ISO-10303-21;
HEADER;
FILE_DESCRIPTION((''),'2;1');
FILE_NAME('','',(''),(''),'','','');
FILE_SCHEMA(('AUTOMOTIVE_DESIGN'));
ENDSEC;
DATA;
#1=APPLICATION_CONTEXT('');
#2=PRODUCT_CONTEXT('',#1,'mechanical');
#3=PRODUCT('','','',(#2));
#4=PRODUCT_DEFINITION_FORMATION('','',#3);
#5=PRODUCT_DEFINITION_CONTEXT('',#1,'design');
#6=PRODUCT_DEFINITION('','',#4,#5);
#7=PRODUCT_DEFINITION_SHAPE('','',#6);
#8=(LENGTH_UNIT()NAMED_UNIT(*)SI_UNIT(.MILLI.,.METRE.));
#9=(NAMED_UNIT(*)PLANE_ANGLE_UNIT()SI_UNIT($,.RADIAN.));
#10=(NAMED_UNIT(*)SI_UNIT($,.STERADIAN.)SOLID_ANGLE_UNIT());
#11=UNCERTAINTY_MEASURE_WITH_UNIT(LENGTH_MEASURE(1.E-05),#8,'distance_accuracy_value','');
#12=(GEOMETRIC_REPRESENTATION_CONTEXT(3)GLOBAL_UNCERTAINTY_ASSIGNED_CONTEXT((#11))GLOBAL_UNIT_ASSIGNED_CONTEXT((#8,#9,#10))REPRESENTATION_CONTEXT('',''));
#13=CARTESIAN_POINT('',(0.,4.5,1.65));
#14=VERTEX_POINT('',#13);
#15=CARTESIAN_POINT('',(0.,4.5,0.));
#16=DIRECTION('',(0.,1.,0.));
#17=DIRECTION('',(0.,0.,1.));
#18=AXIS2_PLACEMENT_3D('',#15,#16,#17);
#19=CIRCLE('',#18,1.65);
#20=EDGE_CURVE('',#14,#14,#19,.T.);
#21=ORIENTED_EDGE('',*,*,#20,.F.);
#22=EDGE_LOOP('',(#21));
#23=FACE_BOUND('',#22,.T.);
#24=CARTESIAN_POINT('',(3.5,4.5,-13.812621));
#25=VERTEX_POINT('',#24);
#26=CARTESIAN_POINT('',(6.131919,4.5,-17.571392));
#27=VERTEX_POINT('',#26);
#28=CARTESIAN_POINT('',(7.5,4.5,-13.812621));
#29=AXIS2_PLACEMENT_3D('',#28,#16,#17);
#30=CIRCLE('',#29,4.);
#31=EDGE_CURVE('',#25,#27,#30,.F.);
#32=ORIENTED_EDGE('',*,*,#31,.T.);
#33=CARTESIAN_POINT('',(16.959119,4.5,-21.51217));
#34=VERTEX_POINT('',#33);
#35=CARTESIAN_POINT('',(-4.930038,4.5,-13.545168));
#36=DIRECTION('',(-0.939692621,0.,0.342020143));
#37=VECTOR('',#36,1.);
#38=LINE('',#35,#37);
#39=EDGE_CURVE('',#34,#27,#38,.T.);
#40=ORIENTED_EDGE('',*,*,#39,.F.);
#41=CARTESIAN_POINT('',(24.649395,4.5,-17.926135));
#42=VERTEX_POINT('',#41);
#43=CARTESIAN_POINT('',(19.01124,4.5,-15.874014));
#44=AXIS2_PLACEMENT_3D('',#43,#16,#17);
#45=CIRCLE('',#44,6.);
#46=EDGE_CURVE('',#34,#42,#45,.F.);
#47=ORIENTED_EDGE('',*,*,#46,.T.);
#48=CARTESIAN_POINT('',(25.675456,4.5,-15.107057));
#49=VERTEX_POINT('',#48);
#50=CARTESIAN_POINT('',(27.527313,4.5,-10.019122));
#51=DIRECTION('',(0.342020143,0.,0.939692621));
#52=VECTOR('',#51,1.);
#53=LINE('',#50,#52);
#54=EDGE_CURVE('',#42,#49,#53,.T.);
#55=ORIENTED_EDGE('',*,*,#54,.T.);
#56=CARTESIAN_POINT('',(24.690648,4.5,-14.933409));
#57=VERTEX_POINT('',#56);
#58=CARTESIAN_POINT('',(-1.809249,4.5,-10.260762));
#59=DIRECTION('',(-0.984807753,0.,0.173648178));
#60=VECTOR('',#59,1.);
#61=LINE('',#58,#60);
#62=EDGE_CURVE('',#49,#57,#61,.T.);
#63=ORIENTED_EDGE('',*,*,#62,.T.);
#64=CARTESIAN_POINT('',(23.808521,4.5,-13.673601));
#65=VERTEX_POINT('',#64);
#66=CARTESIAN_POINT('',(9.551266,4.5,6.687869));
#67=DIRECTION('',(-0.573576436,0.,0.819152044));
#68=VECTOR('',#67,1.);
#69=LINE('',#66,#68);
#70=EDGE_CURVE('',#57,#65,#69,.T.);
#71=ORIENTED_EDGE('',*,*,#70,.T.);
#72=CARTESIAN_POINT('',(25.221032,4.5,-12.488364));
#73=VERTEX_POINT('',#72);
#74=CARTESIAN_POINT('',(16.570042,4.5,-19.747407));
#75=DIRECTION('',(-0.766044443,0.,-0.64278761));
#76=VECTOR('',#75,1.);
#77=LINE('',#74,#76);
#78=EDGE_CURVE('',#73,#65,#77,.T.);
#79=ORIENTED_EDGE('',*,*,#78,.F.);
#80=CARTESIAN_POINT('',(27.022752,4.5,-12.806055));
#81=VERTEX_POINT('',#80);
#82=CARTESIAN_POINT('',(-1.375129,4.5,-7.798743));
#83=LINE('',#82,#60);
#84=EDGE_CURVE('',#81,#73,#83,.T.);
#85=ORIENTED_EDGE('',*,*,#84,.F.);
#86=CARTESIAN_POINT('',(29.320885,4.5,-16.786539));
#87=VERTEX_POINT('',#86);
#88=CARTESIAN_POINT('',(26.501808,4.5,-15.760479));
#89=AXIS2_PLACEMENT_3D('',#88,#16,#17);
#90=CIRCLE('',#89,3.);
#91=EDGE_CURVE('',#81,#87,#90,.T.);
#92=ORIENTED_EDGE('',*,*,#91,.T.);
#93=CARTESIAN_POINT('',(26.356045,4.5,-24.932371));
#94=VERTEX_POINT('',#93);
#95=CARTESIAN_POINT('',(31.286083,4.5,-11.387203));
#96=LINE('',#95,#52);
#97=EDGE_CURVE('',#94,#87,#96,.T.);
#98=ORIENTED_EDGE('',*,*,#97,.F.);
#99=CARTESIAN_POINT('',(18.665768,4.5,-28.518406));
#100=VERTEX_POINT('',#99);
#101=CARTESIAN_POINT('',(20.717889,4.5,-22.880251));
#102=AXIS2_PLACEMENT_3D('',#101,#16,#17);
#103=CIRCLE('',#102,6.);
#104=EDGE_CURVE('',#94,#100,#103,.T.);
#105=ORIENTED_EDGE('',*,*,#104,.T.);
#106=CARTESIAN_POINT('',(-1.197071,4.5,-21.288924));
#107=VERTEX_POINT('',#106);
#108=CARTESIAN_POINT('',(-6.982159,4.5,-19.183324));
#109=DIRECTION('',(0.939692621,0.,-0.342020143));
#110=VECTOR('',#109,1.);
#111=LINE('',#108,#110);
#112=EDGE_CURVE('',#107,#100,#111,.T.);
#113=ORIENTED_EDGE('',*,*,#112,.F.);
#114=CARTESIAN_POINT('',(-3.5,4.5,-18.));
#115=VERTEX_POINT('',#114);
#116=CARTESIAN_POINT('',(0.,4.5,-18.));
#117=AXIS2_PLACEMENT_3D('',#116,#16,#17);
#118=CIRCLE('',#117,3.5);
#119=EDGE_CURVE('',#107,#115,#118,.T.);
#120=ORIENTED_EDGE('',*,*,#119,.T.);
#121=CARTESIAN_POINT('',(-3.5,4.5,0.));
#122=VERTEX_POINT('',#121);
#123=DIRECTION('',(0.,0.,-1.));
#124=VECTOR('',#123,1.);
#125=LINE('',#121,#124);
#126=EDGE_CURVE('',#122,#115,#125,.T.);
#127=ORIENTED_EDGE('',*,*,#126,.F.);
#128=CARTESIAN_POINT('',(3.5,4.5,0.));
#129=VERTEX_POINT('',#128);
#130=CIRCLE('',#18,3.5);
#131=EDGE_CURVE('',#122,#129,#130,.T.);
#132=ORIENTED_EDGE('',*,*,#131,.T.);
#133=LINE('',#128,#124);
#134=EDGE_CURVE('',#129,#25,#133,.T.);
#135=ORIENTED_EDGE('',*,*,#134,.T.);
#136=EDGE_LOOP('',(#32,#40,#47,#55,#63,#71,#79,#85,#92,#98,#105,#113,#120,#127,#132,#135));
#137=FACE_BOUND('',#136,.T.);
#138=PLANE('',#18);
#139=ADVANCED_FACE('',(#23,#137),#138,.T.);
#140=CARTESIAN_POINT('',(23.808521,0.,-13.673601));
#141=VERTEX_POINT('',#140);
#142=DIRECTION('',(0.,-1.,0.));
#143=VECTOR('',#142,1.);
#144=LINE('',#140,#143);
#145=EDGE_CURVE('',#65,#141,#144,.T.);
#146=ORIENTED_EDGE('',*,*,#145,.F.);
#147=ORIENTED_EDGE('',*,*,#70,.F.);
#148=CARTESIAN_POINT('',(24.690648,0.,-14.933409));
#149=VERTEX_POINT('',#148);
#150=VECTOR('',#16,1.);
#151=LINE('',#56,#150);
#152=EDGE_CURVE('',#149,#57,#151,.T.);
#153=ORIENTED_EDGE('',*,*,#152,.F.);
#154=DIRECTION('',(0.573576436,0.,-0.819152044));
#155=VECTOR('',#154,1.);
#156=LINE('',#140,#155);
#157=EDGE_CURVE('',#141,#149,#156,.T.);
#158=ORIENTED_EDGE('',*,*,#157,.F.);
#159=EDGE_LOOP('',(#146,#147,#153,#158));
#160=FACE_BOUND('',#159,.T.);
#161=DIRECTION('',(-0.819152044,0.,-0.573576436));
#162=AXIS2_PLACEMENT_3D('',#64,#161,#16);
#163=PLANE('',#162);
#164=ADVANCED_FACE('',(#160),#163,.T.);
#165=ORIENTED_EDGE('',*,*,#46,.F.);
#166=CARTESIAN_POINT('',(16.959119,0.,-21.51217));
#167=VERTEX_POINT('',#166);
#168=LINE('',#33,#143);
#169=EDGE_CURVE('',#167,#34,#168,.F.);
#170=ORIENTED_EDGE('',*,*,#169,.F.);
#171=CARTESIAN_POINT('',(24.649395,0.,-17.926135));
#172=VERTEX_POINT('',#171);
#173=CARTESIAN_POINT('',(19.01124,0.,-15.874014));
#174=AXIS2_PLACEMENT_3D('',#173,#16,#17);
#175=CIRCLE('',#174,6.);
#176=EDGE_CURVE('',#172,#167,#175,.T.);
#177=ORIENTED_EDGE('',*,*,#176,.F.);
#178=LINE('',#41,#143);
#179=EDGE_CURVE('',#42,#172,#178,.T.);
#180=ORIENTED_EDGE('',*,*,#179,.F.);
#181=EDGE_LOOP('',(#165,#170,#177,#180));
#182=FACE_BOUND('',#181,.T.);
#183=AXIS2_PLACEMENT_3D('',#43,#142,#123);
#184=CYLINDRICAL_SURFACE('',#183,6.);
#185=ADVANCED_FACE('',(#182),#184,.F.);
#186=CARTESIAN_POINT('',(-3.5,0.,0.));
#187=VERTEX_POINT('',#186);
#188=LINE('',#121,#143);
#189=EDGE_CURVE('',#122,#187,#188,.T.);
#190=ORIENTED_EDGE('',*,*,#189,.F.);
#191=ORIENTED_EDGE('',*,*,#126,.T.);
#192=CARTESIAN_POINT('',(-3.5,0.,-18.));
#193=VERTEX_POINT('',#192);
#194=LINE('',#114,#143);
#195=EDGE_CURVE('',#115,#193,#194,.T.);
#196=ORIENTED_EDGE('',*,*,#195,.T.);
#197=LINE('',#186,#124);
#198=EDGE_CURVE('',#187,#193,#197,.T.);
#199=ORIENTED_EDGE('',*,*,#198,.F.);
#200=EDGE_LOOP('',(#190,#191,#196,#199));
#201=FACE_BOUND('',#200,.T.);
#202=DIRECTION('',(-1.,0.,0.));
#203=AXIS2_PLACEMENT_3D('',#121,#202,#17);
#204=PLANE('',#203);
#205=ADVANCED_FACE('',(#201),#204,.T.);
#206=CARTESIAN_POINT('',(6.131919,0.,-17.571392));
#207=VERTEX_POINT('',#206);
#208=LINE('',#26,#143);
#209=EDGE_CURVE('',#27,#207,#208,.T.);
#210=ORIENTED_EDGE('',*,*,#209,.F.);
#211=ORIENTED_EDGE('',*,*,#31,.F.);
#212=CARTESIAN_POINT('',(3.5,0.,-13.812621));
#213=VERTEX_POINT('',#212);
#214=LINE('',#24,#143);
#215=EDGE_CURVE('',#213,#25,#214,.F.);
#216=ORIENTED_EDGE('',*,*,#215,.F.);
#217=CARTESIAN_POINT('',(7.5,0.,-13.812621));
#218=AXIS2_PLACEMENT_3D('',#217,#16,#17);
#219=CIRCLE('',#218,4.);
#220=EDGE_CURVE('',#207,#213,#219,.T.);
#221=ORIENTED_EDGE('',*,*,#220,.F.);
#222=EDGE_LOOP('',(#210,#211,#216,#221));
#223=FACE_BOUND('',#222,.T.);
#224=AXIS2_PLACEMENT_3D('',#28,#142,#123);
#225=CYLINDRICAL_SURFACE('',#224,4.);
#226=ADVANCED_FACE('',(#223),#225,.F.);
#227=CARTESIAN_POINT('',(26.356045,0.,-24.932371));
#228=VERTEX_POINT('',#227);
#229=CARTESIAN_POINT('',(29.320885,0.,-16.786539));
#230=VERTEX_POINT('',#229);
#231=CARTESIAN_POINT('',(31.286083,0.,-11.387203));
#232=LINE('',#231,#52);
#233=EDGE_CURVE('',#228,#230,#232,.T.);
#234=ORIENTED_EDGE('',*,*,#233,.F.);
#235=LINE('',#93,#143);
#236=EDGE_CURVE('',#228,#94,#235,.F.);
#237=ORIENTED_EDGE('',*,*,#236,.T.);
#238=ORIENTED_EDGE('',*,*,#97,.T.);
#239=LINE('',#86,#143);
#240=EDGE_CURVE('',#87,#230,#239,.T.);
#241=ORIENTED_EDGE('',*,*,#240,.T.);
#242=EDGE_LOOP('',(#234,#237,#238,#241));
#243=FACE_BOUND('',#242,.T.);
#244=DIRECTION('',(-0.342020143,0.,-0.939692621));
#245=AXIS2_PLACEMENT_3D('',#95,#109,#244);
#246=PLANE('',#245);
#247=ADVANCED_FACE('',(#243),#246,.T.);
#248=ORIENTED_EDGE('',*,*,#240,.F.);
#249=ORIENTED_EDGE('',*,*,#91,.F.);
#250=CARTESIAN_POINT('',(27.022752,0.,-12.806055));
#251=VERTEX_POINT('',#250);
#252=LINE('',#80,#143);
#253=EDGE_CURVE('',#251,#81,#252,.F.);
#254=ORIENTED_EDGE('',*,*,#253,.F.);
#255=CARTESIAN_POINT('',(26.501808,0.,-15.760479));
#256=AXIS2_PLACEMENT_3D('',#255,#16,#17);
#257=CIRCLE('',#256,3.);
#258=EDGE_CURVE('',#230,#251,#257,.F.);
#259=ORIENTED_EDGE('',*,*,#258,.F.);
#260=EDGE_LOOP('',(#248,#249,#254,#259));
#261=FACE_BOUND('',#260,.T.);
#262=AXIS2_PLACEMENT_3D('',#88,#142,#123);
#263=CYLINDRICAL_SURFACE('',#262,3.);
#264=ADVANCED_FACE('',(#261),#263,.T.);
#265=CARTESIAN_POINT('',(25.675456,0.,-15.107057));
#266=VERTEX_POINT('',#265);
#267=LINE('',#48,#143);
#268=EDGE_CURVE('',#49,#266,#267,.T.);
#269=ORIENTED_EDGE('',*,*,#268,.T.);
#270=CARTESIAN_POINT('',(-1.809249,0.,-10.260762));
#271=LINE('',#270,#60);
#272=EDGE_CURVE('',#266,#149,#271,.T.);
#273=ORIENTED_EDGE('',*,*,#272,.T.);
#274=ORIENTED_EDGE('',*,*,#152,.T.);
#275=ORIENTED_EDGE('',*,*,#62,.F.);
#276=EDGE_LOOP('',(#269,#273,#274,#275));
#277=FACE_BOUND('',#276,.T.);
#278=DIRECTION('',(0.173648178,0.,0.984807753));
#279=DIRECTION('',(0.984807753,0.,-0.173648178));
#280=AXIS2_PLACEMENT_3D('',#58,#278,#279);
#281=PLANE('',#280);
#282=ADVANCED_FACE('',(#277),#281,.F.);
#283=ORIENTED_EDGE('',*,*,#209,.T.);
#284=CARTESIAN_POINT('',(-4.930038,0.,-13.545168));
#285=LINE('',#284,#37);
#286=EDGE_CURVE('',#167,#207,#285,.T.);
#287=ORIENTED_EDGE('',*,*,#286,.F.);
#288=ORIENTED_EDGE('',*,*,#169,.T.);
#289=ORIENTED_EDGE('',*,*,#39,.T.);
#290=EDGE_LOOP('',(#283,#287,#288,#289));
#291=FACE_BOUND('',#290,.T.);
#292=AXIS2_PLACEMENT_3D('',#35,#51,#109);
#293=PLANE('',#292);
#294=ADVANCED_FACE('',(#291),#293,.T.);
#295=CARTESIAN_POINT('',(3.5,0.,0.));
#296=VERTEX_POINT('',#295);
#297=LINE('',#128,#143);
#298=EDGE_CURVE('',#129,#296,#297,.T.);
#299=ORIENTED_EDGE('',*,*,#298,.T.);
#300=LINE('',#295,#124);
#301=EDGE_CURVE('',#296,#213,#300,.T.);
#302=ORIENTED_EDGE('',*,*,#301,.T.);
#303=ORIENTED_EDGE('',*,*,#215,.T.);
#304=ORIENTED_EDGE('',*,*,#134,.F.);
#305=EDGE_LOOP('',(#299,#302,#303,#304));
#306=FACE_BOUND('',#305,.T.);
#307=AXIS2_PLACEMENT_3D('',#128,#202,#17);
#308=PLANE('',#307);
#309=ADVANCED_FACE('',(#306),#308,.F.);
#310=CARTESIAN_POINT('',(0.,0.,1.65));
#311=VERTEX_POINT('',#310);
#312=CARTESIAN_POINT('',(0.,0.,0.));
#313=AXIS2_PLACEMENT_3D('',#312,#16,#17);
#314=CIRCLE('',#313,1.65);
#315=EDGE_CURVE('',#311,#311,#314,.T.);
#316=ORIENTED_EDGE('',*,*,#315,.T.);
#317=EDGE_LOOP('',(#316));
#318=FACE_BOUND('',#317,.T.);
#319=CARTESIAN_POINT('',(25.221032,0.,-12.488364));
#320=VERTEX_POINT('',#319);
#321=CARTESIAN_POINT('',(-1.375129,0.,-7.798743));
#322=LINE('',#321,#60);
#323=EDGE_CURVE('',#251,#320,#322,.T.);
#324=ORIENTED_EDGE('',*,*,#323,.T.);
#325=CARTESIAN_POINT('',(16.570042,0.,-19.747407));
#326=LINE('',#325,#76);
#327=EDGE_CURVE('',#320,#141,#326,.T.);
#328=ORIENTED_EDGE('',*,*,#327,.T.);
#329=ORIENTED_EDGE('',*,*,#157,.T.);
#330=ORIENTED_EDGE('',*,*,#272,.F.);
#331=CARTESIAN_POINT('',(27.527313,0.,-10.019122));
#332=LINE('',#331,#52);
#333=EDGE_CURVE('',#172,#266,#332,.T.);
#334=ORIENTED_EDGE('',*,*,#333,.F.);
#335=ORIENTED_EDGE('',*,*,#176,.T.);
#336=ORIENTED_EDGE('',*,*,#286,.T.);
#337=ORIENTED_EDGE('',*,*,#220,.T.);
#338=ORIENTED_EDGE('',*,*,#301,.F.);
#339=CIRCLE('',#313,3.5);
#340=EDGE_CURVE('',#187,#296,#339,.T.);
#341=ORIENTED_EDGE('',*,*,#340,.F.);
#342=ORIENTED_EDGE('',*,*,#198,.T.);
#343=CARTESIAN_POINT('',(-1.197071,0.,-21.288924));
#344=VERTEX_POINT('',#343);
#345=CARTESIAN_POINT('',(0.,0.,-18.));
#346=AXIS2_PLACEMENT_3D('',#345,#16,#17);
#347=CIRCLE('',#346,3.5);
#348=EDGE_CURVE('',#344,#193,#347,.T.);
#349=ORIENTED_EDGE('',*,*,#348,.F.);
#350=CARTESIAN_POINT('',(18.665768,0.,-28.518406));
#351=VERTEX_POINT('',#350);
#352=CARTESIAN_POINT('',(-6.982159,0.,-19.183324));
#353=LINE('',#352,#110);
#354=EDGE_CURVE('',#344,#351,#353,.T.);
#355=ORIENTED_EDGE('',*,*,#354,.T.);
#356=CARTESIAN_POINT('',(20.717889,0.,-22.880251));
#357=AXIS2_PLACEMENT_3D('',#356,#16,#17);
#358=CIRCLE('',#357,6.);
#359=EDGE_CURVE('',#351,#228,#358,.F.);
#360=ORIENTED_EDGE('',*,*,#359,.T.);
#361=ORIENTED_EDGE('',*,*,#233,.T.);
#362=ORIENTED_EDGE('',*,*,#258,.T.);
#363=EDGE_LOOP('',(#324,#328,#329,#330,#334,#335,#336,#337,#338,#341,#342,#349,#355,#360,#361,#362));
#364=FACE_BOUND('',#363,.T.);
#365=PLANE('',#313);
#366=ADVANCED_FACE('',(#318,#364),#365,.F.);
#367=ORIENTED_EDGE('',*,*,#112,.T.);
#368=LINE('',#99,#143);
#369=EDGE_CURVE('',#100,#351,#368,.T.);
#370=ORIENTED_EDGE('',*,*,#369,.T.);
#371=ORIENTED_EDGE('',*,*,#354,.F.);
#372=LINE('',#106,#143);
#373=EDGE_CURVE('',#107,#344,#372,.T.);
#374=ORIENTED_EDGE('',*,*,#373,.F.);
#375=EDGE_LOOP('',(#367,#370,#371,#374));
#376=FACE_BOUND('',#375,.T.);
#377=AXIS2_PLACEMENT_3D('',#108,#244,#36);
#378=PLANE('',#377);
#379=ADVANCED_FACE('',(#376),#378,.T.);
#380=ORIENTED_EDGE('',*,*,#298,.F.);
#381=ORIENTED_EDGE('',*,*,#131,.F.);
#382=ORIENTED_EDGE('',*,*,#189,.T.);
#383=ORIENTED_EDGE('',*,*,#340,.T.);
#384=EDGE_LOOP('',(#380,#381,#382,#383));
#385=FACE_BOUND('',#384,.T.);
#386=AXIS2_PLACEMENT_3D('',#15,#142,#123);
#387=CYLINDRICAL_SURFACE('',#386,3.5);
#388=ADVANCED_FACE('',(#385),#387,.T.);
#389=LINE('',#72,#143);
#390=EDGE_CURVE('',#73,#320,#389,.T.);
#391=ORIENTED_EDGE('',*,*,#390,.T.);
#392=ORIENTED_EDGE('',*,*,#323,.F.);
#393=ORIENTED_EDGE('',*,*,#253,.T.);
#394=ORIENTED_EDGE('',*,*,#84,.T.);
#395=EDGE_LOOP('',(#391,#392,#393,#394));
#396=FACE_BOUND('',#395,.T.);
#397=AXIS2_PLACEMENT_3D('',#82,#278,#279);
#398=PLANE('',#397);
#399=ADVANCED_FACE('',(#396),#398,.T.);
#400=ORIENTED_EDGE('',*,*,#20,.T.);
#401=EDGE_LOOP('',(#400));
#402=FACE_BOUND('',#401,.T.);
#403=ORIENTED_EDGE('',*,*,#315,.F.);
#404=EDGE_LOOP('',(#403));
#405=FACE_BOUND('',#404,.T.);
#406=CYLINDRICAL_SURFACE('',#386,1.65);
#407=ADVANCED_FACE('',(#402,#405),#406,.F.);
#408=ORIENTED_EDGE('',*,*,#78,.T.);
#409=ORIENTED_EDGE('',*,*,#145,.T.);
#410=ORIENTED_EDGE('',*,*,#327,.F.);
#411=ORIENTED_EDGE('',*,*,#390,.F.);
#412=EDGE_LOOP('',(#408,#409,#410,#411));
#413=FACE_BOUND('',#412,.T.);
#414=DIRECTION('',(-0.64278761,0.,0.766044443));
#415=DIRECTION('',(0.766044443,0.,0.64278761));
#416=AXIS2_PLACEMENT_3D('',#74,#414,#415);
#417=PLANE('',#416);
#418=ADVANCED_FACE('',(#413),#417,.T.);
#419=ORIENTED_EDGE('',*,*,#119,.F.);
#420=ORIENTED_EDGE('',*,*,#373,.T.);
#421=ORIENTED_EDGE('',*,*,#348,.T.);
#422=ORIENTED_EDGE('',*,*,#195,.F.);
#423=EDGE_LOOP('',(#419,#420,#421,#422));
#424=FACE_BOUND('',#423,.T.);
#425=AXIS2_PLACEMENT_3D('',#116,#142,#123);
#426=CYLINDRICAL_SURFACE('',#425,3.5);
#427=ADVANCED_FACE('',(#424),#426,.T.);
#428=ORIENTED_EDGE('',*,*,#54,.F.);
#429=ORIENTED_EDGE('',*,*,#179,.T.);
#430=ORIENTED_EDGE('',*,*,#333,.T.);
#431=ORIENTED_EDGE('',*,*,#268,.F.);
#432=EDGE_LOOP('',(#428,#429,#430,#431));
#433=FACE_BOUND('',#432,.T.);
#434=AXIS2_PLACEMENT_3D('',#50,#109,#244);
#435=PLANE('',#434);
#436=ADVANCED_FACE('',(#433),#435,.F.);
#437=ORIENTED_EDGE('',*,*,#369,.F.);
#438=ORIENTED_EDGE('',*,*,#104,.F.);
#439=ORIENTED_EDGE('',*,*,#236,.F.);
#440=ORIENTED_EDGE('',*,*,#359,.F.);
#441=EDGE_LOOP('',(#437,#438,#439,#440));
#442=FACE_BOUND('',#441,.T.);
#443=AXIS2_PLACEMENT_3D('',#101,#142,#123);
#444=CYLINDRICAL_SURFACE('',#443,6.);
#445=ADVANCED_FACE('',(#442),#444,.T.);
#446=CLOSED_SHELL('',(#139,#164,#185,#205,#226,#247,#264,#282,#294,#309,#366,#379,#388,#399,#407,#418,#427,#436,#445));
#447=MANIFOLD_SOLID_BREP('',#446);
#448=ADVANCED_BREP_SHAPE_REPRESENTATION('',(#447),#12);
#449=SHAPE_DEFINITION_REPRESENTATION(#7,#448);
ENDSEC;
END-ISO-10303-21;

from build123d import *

# Parameters (mm, degrees)
SKETCH1_R           = 1.65
BOSS_EXTRUDE1_DEPTH = 4.5
FILLET1_R           = 4
FILLET2_R           = 6
FILLET3_R           = 3
CHAMFER1_SIZE       = 2
CHAMFER1_SIZE2      = 1.419615628


with BuildPart() as part:
    # Sketch1 → Boss-Extrude1 (new body)
    # profile 1 of 2: a face of its own
    with BuildSketch(Plane(origin=(0, 0, 0), x_dir=(1, 0, 0), z_dir=(0, 1, 0))):
        with BuildLine():
            Line((3.5, 0), (3.5, 18))
            ThreePointArc((3.5, 18), (0, 21.5), (-3.5, 18))
            Line((-3.5, 18), (-3.5, 0))
            ThreePointArc((-3.5, 0), (0, -3.5), (3.5, 0))
        make_face()
        with Locations(Location((0, 0, 0), (0, 0, 270))):
            Circle(SKETCH1_R, mode=Mode.SUBTRACT)
    # profile 2 of 2: a face of its own
    with BuildSketch(Plane(origin=(0, 0, 0), x_dir=(1, 0, 0), z_dir=(0, 1, 0))):
        with BuildLine():
            Line((24.303924048, 30.570527133), (-1.197070502, 21.288924173))
            ThreePointArc((-1.197070502, 21.288924173), (2.007517527, 20.867032155), (3.5, 18))
            Line((3.5, 18), (3.5, 16.613451389))
            Line((3.5, 16.613451389), (22.597274425, 23.564290835))
            Line((22.597274425, 23.564290835), (25.675455715, 15.107057248))
            Line((25.675455715, 15.107057248), (22.721032456, 14.586112715))
            Line((22.721032456, 14.586112715), (25.221032456, 12.488363637))
            Line((25.221032456, 12.488363637), (30.543696603, 13.426892935))
            Line((30.543696603, 13.426892935), (24.303924048, 30.570527133))
        make_face()
    extrude(amount=BOSS_EXTRUDE1_DEPTH)

    # Fillet1
    fillet1_edges = [part.edges().sort_by_distance(p)[0] for p in [
        (3.5, 2.25, -16.613451389),
    ]]
    fillet(fillet1_edges, radius=FILLET1_R)

    # Fillet2
    fillet2_edges = [part.edges().sort_by_distance(p)[0] for p in [
        (24.303924048, 2.25, -30.570527133),
        (22.597274425, 2.25, -23.564290835),
    ]]
    fillet(fillet2_edges, radius=FILLET2_R)

    # Fillet3
    fillet3_edges = [part.edges().sort_by_distance(p)[0] for p in [
        (30.543696603, 2.25, -13.426892935),
    ]]
    fillet(fillet3_edges, radius=FILLET3_R)

    # Chamfer1
    chamfer1_edges = [part.edges().sort_by_distance(p)[0] for p in [
        (22.721032456, 2.25, -14.586112715),
    ]]
    chamfer1_side = [part.faces().sort_by_distance(p)[0] for p in [
        (24.198244085, 2.25, -14.846584982),
    ]]
    chamfer(chamfer1_edges, length=CHAMFER1_SIZE, length2=CHAMFER1_SIZE2, reference=chamfer1_side[0])


solid = part.part
